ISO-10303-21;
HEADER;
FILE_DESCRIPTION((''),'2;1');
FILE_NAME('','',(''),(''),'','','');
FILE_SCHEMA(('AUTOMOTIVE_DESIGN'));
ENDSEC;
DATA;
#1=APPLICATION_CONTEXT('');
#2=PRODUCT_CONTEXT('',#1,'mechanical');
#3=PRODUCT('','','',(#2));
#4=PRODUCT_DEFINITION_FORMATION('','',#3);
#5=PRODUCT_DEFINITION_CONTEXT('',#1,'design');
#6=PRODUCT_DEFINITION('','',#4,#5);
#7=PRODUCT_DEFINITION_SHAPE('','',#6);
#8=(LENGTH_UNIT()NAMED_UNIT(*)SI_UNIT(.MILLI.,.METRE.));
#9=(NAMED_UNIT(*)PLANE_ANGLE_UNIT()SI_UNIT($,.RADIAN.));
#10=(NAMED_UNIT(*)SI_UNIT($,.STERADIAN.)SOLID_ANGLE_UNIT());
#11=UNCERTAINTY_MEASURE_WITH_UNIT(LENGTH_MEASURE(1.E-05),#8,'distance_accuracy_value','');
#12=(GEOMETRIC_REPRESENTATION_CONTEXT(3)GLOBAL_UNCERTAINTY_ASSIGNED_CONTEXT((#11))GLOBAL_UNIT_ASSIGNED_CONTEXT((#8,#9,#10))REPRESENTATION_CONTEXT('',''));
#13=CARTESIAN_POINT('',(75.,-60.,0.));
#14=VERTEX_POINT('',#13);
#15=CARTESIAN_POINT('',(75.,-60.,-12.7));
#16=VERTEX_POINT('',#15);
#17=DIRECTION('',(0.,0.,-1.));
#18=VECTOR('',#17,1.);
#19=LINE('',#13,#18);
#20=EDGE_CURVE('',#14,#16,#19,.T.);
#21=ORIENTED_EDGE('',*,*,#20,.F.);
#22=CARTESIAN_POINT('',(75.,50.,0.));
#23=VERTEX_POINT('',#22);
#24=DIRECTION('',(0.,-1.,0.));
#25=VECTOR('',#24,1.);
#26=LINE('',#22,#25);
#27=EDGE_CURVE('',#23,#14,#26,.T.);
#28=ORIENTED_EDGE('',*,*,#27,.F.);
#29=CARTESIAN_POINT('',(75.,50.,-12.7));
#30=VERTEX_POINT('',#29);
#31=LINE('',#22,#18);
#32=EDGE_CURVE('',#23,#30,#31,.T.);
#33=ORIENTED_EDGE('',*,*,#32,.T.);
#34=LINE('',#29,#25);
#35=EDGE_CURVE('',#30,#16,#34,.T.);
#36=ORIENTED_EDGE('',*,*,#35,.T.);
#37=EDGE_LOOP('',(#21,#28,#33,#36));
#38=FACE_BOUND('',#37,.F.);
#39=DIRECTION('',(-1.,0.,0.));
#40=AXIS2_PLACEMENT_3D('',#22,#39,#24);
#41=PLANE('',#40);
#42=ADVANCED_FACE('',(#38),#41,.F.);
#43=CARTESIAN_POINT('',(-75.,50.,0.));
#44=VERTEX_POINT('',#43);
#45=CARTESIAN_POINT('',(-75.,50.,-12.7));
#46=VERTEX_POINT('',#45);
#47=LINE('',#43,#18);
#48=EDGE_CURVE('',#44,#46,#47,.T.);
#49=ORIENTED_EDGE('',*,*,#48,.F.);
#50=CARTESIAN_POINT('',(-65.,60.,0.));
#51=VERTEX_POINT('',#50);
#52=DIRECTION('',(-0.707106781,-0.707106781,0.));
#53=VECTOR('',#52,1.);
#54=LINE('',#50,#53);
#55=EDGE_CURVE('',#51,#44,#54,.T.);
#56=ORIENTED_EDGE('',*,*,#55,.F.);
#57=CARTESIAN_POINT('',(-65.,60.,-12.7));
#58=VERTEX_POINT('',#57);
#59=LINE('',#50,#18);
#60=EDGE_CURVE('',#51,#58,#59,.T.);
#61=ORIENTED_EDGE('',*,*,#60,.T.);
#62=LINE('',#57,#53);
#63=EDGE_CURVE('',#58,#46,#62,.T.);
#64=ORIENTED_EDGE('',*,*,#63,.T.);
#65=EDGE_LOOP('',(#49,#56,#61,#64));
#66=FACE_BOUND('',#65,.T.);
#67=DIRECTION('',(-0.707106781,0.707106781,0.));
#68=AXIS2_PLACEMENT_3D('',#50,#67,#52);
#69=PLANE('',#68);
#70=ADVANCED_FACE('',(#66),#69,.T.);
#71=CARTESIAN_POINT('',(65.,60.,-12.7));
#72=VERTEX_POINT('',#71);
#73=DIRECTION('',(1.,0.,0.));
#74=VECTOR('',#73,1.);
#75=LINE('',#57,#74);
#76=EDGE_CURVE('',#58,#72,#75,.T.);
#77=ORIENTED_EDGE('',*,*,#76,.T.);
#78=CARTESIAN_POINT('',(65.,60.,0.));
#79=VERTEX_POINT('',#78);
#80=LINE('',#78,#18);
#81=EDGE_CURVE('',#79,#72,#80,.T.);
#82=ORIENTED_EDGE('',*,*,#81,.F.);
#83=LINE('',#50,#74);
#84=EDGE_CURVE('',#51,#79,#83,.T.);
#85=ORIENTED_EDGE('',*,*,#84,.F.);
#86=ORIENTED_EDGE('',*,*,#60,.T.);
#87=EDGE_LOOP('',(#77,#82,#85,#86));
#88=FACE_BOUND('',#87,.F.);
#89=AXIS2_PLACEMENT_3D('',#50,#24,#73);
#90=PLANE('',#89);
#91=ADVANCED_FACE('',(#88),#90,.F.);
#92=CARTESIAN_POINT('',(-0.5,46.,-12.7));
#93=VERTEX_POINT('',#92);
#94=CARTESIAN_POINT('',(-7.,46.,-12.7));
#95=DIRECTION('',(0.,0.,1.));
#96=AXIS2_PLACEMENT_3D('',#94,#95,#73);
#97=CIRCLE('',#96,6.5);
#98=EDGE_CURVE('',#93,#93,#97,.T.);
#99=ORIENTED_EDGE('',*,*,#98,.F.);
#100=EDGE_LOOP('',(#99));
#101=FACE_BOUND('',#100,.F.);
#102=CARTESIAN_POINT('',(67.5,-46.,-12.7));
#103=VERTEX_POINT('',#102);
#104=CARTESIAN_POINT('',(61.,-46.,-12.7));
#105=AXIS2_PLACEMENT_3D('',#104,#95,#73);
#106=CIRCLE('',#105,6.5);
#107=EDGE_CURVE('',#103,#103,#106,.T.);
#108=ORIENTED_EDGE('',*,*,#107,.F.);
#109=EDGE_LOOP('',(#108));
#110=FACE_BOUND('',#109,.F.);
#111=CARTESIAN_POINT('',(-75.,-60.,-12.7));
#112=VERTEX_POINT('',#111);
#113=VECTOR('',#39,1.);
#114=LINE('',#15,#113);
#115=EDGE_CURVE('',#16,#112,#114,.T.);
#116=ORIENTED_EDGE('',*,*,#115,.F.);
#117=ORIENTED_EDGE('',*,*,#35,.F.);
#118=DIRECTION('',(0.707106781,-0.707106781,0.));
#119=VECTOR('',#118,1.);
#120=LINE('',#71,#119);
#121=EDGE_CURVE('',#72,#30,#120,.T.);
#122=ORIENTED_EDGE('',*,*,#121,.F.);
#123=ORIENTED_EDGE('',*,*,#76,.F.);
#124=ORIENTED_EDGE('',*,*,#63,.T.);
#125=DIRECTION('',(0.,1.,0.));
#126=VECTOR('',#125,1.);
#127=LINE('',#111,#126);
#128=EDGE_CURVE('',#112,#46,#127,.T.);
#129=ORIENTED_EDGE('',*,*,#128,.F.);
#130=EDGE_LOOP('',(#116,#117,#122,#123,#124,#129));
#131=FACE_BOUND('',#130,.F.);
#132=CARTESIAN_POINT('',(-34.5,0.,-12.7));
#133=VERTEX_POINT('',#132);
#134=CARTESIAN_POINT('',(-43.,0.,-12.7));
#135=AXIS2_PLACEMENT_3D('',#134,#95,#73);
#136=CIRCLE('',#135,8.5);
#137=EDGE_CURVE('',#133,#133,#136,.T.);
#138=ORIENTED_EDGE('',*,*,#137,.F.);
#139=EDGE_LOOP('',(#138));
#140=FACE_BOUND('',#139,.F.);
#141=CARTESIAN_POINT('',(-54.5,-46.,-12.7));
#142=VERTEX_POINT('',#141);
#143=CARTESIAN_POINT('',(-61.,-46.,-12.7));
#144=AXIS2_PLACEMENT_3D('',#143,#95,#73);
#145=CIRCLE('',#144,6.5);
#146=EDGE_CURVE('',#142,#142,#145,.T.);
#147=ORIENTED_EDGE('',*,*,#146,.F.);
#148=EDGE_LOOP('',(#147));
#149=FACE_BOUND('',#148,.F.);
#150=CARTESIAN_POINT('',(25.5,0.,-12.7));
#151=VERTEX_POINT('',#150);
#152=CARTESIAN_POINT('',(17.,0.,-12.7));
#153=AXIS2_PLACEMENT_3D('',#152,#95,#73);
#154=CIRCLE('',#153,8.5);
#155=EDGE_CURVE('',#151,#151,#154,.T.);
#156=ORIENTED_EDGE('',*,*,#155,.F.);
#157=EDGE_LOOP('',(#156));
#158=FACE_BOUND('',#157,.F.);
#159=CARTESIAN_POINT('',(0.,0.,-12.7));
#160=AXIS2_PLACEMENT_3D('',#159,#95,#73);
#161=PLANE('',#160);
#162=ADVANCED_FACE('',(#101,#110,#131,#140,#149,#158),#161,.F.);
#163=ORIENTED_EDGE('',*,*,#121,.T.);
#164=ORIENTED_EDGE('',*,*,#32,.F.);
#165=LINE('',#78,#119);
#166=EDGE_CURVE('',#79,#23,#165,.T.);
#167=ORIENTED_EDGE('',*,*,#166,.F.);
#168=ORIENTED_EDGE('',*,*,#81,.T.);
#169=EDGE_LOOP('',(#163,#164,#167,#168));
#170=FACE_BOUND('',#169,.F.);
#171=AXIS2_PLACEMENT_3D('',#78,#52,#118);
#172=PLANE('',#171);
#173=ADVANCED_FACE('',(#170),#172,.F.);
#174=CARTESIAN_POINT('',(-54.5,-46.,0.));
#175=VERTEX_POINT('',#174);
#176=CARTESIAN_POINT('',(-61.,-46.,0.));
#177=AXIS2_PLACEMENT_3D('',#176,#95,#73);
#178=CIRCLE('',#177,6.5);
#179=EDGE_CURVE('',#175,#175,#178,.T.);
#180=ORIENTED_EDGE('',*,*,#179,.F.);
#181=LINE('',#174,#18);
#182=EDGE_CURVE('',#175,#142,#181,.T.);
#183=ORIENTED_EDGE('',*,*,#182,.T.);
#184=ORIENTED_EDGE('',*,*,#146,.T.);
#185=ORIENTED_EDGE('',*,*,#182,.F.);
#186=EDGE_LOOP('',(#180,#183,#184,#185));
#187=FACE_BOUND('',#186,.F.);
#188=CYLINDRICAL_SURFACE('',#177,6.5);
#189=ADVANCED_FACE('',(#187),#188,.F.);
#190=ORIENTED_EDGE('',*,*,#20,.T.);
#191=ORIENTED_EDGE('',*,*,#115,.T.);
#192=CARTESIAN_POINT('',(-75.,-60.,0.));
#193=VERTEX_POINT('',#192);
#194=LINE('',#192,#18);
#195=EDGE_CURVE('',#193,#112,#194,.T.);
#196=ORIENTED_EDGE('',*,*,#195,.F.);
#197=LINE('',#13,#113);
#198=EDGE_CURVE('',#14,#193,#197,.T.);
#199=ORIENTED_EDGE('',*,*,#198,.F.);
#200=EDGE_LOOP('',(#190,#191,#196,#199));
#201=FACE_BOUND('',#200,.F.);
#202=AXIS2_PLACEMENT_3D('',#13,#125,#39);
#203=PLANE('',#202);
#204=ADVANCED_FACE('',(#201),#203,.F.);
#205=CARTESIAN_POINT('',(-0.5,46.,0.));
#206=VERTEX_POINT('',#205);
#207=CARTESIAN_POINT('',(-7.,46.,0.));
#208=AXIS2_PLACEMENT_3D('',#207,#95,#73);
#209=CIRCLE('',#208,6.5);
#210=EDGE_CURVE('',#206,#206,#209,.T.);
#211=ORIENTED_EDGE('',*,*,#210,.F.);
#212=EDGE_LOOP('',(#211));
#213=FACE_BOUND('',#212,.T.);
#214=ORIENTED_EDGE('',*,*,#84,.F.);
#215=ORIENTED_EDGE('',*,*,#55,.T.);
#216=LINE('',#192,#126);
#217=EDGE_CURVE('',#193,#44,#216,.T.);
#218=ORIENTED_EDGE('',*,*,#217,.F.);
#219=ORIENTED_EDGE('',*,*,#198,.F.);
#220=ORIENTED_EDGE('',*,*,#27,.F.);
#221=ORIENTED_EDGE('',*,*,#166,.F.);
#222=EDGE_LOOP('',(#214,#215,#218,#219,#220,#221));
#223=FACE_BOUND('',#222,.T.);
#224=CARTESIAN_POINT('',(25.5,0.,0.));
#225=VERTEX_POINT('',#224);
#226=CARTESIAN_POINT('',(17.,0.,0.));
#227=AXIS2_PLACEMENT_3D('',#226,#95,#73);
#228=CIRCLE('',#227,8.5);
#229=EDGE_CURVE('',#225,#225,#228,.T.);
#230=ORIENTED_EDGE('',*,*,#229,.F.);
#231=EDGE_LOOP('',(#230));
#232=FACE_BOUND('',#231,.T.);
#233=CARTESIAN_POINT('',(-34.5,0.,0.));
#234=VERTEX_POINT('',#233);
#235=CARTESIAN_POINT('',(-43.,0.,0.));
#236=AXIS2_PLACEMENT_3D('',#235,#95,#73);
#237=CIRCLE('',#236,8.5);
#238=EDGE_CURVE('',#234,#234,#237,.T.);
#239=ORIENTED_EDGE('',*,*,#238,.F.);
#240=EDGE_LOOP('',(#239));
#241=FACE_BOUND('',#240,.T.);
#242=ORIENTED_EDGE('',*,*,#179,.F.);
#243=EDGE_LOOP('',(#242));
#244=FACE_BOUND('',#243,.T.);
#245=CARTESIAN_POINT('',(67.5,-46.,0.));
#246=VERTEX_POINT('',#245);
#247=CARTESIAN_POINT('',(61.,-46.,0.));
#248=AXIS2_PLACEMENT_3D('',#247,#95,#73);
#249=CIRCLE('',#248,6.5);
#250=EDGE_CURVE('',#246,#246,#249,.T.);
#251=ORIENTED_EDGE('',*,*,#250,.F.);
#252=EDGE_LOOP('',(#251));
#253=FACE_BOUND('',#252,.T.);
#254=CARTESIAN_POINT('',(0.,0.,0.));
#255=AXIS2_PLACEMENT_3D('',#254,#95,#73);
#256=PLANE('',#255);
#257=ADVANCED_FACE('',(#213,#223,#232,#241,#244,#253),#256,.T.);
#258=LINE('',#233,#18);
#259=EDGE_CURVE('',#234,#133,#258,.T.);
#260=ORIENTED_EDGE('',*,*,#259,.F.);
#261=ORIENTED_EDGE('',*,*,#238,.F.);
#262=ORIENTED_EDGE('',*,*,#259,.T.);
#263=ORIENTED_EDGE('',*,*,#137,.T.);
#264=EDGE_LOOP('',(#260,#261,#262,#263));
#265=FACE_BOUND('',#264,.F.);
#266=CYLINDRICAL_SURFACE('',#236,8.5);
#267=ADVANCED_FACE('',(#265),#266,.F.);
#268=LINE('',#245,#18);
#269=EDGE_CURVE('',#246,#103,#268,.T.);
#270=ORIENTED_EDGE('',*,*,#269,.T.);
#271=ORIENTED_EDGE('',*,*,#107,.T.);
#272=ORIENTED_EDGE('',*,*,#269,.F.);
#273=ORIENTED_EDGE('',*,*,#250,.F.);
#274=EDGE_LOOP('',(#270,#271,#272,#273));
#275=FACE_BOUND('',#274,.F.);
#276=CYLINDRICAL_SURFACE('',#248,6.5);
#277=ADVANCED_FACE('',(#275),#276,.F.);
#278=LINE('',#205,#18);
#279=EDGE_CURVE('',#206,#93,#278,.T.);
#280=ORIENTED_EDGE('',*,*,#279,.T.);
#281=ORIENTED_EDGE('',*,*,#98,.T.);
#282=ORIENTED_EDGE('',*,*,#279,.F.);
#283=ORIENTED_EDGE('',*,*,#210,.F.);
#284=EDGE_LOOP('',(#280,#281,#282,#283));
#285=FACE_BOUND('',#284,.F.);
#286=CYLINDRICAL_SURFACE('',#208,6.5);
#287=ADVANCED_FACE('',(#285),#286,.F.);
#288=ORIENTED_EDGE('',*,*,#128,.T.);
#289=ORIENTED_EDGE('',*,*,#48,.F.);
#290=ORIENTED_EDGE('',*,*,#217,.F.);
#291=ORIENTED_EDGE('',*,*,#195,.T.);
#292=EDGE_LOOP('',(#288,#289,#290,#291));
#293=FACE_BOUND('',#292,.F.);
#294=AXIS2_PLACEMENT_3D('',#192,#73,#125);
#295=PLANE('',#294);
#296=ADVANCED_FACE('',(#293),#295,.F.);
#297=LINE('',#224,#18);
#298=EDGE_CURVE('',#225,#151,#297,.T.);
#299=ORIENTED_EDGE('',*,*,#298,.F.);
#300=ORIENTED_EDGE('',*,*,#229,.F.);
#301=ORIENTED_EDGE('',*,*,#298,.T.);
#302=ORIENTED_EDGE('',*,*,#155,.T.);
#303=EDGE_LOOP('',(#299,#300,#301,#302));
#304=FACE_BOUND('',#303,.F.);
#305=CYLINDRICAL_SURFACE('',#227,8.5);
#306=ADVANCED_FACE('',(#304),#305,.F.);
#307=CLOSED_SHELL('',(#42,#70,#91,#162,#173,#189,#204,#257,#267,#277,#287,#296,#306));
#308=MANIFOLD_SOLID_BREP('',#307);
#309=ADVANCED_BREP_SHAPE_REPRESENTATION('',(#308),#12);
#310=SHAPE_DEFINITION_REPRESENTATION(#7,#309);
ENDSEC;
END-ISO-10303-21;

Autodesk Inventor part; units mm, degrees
ref_plane "YZ Plane" through (0, 0, 0) normal (1, 0, 0) x (0, 1, 0)
ref_plane "XZ Plane" through (0, 0, 0) normal (0, 1, 0) x (-1, 0, 0)
ref_plane "XY Plane" through (0, 0, 0) normal (0, 0, 1) x (1, 0, 0)
sketch "Esboço5" plane through (0, 0, 0) normal (0, 0, 1) x (1, 0, 0)
  line L0 (-65, 60) -> (65, 60)
  line L1 (75, 50) -> (75, -60)
  line L2 (75, -60) -> (-75, -60)
  line L3 (-75, -60) -> (-75, 50)
  line L4 (-75, 60) -> (75, -60) construction
  line L5 (75, 60) -> (-75, -60) construction
  line L6 (-75, -60) -> (-61, -60) construction
  line L7 (-61, -60) -> (-61, -46) construction
  line L8 (-61, -46) -> (-75, -46) construction
  line L9 (-75, -46) -> (-75, -60) construction
  line L10 (75, -60) -> (61, -60) construction
  line L11 (61, -60) -> (61, -46) construction
  line L12 (61, -46) -> (75, -46) construction
  line L13 (75, -46) -> (75, -60) construction
  line L14 (-75, 28.5121) -> (-7, 28.5121) construction
  line L15 (-7, 60) -> (-7, 46) construction
  line L16 (-7, 0) -> (-7, -60) construction
  line L17 (-75, -11.3591) -> (-43, -11.3591) construction
  line L18 (-43, -11.3591) -> (17, -11.3591) construction
  circle A0 centre (-7, 46) radius 6.5
  circle A1 centre (-61, -46) radius 6.5
  circle A2 centre (61, -46) radius 6.5
  circle A3 centre (-43, 0) radius 8.5
  circle A4 centre (17, 0) radius 8.5
  line L19 (-65, 60) -> (-75, 50)
  line L20 (65, 60) -> (75, 50)
  point P0 (0, 0)
  dimension "d43" = 150
  dimension "d44" = 120
  dimension "d45" = 14
  dimension "d46" = 14
  dimension "d50" = 68
  dimension "d51" = 14
  dimension "d52" = 60
  dimension "d53" = 32
  dimension "d54" = 60
  dimension "d55" = 13
  dimension "d57" = 13
  dimension "d59" = 17
  dimension "d60" = 10
  dimension "d61" = 45
extrude "Extrusão2" add sketch "Esboço5" against normal blind 12.7
properties part number "PlacaRedutor"
